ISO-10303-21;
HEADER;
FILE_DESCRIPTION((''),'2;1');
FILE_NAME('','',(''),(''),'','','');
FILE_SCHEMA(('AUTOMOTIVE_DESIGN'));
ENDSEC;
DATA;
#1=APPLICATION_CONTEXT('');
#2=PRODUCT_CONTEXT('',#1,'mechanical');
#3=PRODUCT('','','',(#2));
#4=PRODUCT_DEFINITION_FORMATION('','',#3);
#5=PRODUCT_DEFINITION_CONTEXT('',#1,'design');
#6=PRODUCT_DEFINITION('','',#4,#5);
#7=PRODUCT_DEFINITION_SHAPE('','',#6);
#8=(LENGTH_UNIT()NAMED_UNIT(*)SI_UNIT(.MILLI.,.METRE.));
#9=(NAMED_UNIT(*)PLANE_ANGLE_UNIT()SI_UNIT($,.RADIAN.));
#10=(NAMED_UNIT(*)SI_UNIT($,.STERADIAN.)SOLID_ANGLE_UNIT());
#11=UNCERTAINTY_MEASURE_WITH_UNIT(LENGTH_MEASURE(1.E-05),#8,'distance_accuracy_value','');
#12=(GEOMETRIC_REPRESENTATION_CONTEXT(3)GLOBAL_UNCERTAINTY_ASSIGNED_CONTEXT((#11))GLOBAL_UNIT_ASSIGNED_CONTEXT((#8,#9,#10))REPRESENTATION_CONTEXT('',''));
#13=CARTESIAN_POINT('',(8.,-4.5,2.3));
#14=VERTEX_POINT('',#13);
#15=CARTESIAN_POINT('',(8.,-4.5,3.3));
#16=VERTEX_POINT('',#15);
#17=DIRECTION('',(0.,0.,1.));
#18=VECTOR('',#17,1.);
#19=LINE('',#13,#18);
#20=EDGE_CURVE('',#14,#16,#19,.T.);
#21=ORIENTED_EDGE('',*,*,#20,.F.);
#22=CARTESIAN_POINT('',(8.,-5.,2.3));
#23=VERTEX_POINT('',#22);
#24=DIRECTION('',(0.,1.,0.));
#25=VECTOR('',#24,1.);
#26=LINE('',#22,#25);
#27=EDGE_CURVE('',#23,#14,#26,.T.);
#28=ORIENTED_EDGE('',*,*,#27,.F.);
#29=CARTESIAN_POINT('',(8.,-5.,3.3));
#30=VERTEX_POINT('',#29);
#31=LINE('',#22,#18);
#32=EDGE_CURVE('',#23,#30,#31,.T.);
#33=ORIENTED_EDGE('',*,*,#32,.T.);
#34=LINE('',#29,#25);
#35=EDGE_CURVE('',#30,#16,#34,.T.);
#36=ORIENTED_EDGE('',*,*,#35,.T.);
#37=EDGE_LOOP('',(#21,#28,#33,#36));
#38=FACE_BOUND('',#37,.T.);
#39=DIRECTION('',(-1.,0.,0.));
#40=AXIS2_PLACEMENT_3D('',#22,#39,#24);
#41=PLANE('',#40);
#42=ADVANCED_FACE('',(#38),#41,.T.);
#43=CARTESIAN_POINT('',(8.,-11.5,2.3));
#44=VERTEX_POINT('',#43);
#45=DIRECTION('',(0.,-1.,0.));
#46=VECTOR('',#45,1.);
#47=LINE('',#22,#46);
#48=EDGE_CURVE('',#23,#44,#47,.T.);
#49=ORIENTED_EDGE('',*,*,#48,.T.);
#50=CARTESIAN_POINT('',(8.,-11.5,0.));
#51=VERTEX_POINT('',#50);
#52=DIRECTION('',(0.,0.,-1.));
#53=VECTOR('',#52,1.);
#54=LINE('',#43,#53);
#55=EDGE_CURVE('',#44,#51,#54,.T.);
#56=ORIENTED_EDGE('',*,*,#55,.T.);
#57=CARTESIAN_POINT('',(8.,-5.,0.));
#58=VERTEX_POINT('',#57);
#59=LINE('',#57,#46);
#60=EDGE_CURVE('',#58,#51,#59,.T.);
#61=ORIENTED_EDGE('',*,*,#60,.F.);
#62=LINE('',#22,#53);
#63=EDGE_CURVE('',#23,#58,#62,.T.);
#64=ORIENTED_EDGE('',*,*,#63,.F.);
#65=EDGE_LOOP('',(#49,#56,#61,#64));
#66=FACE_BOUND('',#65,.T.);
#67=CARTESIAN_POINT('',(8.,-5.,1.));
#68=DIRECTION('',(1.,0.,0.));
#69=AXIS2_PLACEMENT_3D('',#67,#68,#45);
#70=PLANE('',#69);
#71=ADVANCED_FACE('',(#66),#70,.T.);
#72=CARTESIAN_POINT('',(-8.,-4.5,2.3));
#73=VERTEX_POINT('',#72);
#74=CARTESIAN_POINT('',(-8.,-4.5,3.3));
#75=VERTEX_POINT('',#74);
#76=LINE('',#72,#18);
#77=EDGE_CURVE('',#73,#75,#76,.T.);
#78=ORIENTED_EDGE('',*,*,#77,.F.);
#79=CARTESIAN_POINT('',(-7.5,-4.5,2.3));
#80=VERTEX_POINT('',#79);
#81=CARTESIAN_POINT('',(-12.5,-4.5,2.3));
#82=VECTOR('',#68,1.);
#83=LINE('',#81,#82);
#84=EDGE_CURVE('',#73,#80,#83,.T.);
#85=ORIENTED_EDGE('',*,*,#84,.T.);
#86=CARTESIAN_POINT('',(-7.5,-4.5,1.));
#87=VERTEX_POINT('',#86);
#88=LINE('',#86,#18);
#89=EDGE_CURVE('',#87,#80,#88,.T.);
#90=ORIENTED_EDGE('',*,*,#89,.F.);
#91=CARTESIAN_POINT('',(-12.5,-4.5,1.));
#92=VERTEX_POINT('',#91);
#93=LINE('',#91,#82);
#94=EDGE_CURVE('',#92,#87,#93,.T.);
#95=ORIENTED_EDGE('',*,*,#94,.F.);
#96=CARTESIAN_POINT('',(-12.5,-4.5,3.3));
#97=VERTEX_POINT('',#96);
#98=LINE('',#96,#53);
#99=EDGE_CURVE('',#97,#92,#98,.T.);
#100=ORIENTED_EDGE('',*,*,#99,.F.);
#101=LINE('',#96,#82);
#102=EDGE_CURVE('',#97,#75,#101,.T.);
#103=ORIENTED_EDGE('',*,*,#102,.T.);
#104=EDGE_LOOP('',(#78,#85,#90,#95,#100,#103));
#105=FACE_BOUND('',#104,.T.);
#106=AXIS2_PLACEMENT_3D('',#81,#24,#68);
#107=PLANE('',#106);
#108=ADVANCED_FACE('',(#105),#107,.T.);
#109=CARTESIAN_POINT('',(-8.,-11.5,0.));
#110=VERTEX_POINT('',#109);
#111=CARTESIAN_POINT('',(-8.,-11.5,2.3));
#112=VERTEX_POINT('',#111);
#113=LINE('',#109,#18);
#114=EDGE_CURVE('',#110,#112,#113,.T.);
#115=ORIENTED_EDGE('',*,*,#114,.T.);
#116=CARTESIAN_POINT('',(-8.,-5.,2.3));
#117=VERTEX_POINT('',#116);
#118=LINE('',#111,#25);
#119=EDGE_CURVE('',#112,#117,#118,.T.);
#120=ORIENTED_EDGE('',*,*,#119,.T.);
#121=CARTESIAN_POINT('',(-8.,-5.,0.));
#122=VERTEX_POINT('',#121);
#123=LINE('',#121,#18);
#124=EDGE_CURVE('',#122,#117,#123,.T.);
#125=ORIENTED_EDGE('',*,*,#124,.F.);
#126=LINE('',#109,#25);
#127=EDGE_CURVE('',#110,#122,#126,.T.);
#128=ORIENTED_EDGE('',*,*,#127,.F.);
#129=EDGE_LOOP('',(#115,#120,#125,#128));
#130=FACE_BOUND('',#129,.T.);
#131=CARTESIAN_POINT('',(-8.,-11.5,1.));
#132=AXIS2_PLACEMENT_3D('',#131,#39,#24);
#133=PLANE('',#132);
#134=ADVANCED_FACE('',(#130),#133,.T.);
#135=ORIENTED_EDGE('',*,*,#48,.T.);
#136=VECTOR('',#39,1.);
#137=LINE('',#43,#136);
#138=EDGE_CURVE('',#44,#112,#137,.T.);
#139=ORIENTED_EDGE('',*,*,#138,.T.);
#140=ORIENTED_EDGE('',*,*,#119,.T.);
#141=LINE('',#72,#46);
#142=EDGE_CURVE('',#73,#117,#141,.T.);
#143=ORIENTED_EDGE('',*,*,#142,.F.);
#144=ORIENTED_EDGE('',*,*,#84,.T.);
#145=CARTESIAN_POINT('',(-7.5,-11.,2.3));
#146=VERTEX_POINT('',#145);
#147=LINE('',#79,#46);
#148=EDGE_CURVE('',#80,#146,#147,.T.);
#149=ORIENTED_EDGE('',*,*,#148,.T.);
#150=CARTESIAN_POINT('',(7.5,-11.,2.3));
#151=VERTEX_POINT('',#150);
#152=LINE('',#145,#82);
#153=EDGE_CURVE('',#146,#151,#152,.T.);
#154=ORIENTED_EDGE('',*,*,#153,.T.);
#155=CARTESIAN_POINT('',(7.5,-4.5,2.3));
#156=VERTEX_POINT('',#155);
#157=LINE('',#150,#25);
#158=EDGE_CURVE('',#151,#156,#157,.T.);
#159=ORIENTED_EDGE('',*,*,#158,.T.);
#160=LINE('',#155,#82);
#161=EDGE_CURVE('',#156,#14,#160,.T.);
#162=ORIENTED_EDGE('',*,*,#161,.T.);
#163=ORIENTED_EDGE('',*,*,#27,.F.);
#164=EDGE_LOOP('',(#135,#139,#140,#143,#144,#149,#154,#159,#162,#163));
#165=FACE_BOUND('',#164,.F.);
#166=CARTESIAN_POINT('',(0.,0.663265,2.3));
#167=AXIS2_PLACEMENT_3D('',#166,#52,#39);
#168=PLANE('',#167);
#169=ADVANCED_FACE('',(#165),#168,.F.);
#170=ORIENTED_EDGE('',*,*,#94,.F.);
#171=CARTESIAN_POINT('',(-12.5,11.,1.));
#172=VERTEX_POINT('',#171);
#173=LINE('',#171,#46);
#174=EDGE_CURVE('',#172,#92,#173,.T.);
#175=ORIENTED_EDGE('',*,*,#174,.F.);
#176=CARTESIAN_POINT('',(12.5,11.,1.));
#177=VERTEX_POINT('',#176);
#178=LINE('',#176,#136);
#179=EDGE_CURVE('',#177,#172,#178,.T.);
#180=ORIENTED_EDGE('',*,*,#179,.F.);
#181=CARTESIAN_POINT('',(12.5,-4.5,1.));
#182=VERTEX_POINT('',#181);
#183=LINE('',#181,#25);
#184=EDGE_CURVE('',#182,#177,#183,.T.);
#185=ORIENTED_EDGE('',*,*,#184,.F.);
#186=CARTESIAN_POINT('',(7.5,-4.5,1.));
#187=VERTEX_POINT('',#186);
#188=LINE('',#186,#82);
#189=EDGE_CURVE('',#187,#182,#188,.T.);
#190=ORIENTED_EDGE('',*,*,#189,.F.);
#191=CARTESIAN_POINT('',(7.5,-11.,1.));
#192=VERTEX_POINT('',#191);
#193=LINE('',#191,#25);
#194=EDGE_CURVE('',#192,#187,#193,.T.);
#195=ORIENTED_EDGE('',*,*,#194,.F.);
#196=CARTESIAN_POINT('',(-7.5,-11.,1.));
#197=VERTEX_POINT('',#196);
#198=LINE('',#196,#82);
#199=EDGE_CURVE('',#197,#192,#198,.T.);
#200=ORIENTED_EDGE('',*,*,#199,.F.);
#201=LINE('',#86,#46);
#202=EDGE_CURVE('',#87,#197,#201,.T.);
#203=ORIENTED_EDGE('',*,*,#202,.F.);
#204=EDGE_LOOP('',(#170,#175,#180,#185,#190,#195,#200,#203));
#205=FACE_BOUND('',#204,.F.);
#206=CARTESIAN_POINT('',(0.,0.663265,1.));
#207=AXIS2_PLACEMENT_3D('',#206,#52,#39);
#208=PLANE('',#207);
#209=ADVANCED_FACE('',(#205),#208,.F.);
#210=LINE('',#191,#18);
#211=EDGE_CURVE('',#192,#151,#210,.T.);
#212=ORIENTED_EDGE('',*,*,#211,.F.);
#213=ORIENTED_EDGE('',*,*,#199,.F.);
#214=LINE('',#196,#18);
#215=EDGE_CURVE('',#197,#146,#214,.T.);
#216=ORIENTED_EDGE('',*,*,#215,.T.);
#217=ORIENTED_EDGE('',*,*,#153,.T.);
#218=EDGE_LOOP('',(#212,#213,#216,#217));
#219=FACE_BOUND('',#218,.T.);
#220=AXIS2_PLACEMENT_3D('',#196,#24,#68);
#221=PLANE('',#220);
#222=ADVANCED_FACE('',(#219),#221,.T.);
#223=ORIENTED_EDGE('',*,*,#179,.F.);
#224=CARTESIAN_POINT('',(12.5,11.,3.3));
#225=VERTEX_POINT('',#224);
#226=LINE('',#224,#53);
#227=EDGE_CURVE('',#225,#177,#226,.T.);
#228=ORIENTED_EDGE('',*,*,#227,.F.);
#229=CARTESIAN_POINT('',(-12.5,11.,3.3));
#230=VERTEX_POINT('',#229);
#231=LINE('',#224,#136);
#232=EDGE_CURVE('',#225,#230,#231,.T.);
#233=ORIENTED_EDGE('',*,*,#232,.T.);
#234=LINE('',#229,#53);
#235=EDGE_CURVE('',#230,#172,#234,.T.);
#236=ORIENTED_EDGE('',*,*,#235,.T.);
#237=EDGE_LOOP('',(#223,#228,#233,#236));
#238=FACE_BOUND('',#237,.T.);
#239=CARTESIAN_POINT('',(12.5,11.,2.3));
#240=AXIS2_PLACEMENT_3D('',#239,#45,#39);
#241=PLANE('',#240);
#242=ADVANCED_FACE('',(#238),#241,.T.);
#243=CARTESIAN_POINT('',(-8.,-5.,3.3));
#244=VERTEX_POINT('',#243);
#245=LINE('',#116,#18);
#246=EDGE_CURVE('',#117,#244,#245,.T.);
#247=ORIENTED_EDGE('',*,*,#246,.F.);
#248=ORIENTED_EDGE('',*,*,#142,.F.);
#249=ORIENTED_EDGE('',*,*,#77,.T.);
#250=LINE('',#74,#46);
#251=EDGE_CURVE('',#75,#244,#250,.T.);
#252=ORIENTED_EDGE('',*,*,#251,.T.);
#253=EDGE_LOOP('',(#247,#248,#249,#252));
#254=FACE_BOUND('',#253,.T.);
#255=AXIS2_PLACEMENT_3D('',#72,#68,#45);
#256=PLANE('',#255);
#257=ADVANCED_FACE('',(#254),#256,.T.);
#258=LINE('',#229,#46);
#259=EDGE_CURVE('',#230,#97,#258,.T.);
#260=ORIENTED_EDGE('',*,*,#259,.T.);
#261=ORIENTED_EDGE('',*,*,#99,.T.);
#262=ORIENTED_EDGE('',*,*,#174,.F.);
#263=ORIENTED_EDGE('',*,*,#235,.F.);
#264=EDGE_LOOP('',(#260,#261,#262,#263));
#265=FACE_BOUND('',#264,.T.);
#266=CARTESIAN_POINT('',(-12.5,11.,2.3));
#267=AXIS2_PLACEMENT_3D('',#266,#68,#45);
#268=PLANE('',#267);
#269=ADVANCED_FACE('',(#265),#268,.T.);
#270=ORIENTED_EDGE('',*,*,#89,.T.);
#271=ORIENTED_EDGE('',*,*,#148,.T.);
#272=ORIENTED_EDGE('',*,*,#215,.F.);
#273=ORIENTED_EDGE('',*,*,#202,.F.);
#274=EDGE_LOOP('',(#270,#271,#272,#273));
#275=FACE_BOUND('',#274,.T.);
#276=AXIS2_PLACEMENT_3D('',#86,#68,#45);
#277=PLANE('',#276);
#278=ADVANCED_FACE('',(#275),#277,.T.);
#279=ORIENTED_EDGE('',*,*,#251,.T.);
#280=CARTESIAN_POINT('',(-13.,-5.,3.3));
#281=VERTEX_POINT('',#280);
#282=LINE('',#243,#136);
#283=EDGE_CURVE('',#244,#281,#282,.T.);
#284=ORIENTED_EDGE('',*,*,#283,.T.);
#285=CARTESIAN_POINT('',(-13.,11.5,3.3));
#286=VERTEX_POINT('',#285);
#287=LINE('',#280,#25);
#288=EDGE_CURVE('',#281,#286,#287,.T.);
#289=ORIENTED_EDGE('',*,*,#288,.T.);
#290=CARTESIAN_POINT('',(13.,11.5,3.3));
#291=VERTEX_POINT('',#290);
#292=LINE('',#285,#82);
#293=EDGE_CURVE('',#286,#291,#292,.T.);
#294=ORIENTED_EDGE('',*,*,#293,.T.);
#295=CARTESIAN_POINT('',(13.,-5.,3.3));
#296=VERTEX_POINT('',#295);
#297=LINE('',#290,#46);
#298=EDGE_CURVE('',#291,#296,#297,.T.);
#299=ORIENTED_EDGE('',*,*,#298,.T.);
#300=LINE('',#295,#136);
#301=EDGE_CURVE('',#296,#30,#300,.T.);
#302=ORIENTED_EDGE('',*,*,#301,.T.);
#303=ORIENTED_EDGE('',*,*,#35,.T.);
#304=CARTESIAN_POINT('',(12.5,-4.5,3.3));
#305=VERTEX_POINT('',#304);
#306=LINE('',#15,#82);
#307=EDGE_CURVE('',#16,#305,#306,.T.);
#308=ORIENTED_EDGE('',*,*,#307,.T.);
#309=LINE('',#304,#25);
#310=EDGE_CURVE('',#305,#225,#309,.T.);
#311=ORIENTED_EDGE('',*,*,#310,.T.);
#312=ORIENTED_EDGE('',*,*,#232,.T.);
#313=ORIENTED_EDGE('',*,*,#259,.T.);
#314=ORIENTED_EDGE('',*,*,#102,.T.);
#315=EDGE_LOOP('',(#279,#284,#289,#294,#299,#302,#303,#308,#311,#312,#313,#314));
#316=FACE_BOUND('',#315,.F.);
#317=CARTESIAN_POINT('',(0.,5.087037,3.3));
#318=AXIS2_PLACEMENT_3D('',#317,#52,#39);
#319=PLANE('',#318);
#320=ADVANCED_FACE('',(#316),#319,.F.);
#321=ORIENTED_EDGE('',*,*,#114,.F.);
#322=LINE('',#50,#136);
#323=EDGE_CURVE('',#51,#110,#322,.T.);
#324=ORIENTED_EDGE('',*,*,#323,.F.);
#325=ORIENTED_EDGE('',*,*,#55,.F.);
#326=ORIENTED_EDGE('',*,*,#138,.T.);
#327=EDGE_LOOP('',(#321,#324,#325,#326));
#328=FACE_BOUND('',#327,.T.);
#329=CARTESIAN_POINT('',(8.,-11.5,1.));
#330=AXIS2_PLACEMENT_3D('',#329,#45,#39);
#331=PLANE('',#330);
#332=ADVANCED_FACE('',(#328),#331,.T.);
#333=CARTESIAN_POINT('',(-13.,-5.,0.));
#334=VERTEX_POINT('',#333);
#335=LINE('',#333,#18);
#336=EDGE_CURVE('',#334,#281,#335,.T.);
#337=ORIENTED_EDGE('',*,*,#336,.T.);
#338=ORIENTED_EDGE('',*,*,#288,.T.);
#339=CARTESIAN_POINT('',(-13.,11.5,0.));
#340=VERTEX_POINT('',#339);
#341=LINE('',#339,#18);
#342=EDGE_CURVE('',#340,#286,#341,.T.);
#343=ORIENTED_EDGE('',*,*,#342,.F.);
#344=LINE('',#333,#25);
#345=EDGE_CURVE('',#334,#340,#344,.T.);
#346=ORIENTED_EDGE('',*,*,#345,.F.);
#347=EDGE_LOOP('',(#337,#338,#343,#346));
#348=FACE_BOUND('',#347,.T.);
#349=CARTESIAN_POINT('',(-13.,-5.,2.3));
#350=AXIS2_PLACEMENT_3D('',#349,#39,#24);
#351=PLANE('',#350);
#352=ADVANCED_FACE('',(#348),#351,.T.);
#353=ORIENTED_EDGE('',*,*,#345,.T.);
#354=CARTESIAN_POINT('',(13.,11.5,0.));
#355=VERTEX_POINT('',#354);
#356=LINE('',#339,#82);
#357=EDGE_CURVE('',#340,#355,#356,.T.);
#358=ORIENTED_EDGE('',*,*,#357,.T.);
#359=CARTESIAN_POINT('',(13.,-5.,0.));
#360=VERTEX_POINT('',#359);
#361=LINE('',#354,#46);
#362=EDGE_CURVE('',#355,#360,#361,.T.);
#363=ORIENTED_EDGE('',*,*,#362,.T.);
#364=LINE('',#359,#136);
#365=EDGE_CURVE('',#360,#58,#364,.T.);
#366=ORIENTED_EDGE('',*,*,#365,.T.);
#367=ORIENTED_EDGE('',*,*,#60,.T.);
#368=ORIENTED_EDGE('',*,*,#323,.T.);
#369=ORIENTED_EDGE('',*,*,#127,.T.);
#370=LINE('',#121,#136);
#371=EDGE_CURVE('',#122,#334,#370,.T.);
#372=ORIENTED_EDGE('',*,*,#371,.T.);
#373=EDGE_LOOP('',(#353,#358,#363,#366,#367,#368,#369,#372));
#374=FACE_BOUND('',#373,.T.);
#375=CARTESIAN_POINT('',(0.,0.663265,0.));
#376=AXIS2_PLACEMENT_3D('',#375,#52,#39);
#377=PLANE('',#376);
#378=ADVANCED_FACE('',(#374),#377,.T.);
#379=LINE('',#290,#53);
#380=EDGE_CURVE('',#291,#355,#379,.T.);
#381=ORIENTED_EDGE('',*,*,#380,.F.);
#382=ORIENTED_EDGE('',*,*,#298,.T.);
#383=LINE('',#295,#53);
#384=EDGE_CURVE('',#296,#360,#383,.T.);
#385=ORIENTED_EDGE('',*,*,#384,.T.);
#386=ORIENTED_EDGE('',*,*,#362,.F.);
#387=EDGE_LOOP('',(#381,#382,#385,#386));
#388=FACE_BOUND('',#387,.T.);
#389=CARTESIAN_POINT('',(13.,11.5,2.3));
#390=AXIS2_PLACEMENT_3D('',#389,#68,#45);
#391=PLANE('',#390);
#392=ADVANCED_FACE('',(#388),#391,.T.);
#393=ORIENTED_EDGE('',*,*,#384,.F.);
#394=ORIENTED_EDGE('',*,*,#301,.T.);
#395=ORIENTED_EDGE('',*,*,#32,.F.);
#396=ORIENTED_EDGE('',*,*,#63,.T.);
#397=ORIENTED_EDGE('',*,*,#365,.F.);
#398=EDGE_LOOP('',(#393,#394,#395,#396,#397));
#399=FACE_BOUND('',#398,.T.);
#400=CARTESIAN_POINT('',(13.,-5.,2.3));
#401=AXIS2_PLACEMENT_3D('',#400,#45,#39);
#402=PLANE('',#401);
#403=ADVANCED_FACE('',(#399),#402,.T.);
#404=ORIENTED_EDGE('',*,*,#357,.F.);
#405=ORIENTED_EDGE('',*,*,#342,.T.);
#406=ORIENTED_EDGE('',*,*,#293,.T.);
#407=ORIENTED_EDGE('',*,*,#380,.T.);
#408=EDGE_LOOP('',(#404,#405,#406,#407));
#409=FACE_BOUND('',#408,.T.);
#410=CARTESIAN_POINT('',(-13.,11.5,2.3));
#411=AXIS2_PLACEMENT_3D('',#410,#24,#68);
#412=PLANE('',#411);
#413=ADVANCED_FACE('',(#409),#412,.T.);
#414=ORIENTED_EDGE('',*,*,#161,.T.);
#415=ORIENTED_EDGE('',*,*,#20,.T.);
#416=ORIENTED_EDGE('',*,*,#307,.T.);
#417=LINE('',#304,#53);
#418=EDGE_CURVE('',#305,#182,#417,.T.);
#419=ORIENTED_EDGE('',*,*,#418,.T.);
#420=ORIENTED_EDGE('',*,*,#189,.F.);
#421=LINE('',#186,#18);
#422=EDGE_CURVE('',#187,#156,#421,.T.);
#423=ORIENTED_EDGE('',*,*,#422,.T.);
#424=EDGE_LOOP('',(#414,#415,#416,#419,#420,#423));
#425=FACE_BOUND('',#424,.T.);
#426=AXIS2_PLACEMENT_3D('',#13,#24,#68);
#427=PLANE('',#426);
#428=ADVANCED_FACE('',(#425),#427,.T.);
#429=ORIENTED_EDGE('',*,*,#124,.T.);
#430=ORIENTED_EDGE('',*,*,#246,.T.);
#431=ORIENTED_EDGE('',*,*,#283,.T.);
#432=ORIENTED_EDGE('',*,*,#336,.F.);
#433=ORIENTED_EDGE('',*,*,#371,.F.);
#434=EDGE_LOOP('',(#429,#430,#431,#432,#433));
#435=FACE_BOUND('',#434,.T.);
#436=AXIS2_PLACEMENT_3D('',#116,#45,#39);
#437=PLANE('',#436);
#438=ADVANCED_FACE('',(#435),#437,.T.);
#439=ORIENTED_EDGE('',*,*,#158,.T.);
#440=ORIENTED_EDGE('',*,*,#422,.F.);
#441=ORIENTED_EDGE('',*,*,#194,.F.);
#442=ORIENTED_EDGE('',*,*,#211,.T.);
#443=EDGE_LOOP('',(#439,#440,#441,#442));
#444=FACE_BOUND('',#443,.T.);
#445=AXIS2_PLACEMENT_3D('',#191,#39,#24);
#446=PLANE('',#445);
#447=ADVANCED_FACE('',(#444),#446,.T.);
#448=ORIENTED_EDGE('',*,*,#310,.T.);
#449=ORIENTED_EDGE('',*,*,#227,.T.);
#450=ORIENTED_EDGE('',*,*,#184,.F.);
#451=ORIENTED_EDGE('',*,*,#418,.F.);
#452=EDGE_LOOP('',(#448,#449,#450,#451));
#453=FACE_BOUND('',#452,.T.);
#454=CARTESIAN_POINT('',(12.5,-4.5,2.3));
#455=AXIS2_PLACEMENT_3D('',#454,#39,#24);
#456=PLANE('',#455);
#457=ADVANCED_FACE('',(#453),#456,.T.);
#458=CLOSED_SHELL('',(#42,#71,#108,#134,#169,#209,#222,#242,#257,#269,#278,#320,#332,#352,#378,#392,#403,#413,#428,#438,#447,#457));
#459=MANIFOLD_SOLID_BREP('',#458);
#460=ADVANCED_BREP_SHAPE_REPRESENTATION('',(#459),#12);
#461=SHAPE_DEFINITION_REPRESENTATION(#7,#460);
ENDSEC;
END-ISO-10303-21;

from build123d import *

# Parameters (mm, degrees)
PAD_DEPTH    = 1
PAD001_DEPTH = 1.3
PAD002_DEPTH = 1


with BuildPart() as part:
    # Sketch → Pad (new body)
    with BuildSketch(Plane.XY):
        Polygon((-13, 11.5), (13, 11.5), (13, -5), (8, -5), (8, -11.5), (-8, -11.5), (-8, -5), (-13, -5), align=None)
    extrude(amount=PAD_DEPTH)

    # Sketch001 (on DatumPlane) → Pad001 (join)
    with BuildSketch(Plane.XY.offset(1)):
        Polygon((-13, 11.5), (13, 11.5), (13, -5), (8, -5), (8, -11.5), (-8, -11.5), (-8, -5), (-13, -5), align=None)
        Polygon((-12.5, 11), (-12.5, -4.5), (-7.5, -4.5), (-7.5, -11), (7.5, -11), (7.5, -4.5), (12.5, -4.5), (12.5, 11), align=None, mode=Mode.SUBTRACT)
    extrude(amount=PAD001_DEPTH)

    # Sketch002 (on Face13 of Pad001) → Pad002 (join)
    with BuildSketch(Plane.XY.offset(2.3)):
        Polygon((-13, 11.5), (13, 11.5), (13, -5), (8, -5), (8, -4.5), (12.5, -4.5), (12.5, 11), (-12.5, 11), (-12.5, -4.5), (-8, -4.5), (-8, -5), (-13, -5), align=None)
    extrude(amount=PAD002_DEPTH)


solid = part.part
